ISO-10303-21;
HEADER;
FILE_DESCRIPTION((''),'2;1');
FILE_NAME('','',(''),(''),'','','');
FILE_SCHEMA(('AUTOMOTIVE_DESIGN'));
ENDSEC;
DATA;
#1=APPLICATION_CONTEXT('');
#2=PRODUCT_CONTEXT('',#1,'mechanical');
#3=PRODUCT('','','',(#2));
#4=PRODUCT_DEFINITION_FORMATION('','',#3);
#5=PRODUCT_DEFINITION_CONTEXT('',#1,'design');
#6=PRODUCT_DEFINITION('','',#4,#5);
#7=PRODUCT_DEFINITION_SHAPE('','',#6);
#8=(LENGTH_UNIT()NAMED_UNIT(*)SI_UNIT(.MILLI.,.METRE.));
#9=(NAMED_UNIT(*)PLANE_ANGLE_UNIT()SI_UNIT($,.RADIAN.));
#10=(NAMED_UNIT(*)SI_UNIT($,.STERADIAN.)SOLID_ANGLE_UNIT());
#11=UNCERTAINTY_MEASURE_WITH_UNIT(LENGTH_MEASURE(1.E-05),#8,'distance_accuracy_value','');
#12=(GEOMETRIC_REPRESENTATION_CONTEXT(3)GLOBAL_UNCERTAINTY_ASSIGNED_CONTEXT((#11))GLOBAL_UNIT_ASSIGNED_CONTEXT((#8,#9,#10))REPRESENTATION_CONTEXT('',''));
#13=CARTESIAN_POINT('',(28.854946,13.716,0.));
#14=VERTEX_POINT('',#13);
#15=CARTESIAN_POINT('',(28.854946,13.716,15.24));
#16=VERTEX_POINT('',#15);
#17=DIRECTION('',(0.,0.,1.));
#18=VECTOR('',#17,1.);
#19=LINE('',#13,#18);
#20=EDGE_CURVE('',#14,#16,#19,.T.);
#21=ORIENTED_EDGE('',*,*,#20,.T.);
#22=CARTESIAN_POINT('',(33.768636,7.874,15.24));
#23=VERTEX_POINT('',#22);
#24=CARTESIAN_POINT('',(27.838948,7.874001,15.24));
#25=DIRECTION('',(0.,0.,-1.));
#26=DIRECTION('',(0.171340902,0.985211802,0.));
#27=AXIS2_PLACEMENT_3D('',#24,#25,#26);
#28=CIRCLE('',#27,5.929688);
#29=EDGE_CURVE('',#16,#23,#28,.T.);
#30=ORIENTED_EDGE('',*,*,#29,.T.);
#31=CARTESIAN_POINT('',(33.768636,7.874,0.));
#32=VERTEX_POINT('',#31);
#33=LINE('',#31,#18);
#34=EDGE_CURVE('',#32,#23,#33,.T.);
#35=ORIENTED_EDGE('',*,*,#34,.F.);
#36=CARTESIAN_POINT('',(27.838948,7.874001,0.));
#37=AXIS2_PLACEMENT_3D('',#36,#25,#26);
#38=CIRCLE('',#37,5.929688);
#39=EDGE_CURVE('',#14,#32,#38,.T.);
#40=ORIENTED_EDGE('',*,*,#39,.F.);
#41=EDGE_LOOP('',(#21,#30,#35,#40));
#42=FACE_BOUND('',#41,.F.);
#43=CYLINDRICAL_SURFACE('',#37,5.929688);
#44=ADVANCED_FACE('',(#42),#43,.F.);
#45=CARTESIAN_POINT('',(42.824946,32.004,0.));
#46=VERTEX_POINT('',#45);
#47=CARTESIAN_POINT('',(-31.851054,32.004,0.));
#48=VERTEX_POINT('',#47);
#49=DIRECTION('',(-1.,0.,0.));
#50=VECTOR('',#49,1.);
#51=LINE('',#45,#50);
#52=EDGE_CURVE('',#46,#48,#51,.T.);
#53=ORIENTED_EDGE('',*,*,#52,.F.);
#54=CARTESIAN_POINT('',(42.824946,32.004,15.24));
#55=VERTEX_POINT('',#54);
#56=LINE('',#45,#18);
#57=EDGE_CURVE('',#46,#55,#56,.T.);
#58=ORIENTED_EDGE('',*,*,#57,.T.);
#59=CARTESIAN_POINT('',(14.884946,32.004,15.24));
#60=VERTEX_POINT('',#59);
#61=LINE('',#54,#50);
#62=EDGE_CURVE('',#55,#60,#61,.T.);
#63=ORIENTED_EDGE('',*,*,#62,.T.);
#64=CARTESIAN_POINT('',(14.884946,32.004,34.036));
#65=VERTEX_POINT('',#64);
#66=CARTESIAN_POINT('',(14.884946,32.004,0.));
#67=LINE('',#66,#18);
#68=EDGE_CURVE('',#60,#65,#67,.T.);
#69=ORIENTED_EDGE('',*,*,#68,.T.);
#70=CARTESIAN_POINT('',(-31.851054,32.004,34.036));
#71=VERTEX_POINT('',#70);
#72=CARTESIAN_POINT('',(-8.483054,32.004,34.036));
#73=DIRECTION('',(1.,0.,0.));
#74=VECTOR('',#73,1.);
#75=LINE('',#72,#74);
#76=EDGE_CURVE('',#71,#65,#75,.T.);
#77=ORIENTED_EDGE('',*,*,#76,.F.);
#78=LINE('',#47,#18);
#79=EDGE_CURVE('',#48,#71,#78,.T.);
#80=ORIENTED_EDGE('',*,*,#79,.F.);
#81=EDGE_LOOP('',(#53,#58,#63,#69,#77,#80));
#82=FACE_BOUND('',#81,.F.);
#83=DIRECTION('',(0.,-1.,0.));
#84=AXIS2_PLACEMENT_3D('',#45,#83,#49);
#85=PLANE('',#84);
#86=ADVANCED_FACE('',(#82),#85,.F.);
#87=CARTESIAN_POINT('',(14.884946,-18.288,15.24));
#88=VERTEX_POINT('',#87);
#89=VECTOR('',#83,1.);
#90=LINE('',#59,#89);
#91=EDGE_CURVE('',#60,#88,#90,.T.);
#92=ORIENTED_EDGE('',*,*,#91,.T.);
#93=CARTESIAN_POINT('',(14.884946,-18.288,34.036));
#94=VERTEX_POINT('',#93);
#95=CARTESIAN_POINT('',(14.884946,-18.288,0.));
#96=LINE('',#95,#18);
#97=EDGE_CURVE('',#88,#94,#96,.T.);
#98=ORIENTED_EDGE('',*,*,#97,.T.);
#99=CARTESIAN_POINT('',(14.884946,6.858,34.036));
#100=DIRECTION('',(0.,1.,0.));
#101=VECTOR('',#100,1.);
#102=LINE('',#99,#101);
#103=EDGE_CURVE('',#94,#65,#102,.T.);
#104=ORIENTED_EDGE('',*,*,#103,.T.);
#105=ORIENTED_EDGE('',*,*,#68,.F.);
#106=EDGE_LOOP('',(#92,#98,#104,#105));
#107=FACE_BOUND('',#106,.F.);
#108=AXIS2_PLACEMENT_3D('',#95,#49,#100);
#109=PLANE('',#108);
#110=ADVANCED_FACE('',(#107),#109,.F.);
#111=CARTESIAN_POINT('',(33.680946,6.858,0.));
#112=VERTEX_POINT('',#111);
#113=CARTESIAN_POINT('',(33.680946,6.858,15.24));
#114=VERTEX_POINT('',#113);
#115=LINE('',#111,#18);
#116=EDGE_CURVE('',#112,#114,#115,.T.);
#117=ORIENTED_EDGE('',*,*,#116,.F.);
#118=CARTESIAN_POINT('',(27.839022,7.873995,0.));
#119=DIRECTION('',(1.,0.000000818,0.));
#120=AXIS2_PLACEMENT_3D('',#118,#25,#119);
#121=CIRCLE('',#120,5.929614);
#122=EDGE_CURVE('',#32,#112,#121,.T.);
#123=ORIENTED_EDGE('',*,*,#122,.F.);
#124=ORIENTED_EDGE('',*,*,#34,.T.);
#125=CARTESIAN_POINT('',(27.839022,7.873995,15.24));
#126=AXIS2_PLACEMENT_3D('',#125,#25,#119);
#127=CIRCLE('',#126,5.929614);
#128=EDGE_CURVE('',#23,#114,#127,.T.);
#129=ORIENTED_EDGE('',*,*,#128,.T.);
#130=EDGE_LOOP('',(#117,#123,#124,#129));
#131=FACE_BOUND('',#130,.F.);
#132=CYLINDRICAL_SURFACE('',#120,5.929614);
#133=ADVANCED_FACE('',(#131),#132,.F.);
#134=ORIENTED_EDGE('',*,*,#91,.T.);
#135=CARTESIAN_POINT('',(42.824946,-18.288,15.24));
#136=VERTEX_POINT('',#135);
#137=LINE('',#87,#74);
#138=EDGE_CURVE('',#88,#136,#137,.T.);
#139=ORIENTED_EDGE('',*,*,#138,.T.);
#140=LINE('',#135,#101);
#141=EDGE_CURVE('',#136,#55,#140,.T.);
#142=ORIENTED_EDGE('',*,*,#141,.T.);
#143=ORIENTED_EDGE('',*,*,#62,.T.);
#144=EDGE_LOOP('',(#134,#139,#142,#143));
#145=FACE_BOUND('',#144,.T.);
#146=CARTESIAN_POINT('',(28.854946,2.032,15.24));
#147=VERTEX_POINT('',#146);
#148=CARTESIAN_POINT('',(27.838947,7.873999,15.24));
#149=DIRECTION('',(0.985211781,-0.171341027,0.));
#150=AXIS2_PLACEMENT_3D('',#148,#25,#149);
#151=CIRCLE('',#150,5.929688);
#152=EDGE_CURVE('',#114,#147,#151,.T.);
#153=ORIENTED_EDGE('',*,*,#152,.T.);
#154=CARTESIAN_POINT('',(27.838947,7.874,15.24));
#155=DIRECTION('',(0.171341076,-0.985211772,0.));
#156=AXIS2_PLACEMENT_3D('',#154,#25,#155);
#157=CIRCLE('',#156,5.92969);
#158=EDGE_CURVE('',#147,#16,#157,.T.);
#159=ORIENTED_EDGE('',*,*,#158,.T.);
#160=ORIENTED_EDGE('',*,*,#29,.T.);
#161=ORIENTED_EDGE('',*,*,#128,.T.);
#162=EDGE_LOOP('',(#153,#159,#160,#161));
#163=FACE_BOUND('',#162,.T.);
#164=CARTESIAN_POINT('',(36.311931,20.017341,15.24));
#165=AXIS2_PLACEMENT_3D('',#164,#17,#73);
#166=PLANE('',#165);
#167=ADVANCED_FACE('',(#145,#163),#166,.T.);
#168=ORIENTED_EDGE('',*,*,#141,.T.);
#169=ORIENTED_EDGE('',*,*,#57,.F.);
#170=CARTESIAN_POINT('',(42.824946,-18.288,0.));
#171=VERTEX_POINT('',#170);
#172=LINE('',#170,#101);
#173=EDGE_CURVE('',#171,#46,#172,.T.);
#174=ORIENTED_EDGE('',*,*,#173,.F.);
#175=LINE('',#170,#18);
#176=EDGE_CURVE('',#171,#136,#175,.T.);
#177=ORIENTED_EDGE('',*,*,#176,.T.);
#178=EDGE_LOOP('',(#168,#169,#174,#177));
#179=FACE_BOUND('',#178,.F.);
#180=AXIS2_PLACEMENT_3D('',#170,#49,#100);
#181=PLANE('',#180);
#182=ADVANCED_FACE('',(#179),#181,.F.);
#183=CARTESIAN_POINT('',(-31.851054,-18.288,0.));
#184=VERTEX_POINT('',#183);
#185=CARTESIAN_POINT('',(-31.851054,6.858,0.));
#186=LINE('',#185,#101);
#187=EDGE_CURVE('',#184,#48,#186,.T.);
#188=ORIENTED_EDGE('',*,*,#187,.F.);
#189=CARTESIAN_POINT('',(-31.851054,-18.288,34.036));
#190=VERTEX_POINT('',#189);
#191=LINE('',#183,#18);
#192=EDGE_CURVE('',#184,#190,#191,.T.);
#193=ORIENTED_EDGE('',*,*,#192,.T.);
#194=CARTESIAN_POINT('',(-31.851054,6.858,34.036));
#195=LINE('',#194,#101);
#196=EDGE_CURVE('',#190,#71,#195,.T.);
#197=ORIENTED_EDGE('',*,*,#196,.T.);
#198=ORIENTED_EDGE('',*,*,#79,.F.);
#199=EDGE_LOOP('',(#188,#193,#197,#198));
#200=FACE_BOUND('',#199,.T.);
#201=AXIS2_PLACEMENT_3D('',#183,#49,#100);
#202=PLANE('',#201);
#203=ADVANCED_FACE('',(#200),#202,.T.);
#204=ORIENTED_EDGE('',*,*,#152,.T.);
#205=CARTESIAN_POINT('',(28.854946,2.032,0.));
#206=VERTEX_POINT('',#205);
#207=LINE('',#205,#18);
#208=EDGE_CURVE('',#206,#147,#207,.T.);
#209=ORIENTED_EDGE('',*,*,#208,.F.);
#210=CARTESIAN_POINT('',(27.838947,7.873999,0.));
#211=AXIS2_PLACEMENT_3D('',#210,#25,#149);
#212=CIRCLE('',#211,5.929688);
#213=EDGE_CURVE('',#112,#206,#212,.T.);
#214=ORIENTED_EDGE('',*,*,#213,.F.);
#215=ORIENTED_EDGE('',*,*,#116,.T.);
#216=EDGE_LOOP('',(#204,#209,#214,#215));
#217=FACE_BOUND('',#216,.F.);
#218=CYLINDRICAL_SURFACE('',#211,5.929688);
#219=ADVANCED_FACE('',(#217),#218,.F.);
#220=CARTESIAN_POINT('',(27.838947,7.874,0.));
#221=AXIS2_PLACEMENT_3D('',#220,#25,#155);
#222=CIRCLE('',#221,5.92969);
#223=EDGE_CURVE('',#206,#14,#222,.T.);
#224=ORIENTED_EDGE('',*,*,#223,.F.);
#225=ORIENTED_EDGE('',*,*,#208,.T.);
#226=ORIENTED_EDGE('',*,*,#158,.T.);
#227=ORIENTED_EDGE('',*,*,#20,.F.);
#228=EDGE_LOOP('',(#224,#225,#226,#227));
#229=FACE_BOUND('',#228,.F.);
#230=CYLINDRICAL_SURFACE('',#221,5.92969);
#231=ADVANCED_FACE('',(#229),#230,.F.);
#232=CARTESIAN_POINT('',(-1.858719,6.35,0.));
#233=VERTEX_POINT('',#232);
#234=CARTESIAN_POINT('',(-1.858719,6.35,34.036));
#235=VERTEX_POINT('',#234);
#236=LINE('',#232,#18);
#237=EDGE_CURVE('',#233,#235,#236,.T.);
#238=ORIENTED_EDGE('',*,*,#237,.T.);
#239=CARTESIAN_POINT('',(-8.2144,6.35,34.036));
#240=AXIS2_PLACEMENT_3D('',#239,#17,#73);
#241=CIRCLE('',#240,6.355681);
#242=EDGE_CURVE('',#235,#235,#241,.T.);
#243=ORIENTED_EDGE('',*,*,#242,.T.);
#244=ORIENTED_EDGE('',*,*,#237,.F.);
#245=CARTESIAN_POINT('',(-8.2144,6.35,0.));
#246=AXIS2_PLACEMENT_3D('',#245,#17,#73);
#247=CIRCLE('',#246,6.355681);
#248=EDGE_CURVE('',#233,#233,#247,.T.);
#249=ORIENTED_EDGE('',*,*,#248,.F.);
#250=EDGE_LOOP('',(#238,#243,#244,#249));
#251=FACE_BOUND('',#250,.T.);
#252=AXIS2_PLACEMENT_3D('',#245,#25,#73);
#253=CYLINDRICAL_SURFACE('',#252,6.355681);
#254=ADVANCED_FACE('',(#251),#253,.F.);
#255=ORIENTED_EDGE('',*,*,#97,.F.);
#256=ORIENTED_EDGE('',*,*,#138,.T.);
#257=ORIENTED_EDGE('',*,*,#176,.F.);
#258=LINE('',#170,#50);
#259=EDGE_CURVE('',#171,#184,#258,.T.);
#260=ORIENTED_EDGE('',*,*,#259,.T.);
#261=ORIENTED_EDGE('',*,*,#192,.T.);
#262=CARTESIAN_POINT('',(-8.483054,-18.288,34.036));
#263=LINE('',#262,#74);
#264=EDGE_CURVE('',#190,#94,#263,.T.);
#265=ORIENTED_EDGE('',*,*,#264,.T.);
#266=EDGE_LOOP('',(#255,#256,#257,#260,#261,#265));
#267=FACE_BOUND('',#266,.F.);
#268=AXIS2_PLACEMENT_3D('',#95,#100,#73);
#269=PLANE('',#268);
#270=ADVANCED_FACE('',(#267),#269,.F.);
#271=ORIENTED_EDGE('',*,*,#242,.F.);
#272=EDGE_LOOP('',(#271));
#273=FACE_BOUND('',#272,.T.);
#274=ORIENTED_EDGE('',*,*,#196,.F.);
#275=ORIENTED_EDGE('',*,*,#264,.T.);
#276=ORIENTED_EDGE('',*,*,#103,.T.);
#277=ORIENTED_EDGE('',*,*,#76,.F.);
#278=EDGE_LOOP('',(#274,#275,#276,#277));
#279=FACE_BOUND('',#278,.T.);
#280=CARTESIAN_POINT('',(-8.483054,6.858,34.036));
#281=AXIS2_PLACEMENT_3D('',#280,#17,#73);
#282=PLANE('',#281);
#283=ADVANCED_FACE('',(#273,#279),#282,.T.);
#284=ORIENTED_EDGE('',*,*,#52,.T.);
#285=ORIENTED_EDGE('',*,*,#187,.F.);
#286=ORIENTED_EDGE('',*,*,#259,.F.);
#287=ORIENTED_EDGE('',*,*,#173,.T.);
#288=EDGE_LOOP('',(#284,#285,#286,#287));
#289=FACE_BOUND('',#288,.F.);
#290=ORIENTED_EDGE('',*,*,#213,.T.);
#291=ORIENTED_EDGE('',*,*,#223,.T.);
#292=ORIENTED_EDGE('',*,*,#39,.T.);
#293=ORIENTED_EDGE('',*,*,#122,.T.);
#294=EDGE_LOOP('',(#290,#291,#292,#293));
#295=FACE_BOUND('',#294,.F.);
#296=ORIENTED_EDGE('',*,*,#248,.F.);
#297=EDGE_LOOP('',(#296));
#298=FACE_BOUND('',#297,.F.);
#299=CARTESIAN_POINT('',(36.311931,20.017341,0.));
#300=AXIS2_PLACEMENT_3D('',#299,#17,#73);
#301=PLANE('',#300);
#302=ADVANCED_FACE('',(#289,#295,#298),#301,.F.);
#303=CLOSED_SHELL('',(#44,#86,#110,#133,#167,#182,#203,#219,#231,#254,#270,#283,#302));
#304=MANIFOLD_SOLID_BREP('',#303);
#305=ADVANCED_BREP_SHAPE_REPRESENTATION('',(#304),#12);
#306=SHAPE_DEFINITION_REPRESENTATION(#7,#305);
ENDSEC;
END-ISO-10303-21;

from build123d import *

# Parameters (mm, degrees)
F0_W     = 46.736
F0_H     = 50.292
F0_R     = 6.355681
F1_DEPTH = 34.036
F2_DEPTH = 15.24


with BuildPart() as f1:
    # F0 (on Top) → F1 (new body)
    with BuildSketch(Plane.XY):
        with Locations((-8.483054, 6.858)):
            Rectangle(F0_W, F0_H)
        with Locations((-8.2144, 6.35)):
            Circle(F0_R, mode=Mode.SUBTRACT)
    extrude(amount=F1_DEPTH)

    # F0 (on Top) → F2 (join)
    with BuildSketch(Plane.XY):
        with BuildLine():
            Line((42.824946, 32.004), (28.854946, 32.004))
            Line((28.854946, 32.004), (28.854946, 13.716))
            ThreePointArc((28.854946, 13.716), (32.376886, 11.690848), (33.768636, 7.874))
            ThreePointArc((33.768636, 7.874), (33.746673, 7.364111), (33.680946, 6.858))
            Line((33.680946, 6.858), (42.824946, 6.858))
            Line((42.824946, 6.858), (42.824946, 32.004))
        make_face()
        with BuildLine():
            Line((28.854946, 32.004), (14.884946, 32.004))
            Line((14.884946, 32.004), (14.884946, -18.288))
            Line((14.884946, -18.288), (28.854946, -18.288))
            Line((28.854946, -18.288), (28.854946, 2.032))
            ThreePointArc((28.854946, 2.032), (21.909257, 7.874), (28.854946, 13.716))
            Line((28.854946, 13.716), (28.854946, 32.004))
        make_face()
        with BuildLine():
            Line((28.854946, 2.032), (28.854946, -18.288))
            Line((28.854946, -18.288), (42.824946, -18.288))
            Line((42.824946, -18.288), (42.824946, 6.858))
            Line((42.824946, 6.858), (33.680946, 6.858))
            ThreePointArc((33.680946, 6.858), (32.03187, 3.681076), (28.854946, 2.032))
        make_face()
    extrude(amount=F2_DEPTH)


solid = f1.part
